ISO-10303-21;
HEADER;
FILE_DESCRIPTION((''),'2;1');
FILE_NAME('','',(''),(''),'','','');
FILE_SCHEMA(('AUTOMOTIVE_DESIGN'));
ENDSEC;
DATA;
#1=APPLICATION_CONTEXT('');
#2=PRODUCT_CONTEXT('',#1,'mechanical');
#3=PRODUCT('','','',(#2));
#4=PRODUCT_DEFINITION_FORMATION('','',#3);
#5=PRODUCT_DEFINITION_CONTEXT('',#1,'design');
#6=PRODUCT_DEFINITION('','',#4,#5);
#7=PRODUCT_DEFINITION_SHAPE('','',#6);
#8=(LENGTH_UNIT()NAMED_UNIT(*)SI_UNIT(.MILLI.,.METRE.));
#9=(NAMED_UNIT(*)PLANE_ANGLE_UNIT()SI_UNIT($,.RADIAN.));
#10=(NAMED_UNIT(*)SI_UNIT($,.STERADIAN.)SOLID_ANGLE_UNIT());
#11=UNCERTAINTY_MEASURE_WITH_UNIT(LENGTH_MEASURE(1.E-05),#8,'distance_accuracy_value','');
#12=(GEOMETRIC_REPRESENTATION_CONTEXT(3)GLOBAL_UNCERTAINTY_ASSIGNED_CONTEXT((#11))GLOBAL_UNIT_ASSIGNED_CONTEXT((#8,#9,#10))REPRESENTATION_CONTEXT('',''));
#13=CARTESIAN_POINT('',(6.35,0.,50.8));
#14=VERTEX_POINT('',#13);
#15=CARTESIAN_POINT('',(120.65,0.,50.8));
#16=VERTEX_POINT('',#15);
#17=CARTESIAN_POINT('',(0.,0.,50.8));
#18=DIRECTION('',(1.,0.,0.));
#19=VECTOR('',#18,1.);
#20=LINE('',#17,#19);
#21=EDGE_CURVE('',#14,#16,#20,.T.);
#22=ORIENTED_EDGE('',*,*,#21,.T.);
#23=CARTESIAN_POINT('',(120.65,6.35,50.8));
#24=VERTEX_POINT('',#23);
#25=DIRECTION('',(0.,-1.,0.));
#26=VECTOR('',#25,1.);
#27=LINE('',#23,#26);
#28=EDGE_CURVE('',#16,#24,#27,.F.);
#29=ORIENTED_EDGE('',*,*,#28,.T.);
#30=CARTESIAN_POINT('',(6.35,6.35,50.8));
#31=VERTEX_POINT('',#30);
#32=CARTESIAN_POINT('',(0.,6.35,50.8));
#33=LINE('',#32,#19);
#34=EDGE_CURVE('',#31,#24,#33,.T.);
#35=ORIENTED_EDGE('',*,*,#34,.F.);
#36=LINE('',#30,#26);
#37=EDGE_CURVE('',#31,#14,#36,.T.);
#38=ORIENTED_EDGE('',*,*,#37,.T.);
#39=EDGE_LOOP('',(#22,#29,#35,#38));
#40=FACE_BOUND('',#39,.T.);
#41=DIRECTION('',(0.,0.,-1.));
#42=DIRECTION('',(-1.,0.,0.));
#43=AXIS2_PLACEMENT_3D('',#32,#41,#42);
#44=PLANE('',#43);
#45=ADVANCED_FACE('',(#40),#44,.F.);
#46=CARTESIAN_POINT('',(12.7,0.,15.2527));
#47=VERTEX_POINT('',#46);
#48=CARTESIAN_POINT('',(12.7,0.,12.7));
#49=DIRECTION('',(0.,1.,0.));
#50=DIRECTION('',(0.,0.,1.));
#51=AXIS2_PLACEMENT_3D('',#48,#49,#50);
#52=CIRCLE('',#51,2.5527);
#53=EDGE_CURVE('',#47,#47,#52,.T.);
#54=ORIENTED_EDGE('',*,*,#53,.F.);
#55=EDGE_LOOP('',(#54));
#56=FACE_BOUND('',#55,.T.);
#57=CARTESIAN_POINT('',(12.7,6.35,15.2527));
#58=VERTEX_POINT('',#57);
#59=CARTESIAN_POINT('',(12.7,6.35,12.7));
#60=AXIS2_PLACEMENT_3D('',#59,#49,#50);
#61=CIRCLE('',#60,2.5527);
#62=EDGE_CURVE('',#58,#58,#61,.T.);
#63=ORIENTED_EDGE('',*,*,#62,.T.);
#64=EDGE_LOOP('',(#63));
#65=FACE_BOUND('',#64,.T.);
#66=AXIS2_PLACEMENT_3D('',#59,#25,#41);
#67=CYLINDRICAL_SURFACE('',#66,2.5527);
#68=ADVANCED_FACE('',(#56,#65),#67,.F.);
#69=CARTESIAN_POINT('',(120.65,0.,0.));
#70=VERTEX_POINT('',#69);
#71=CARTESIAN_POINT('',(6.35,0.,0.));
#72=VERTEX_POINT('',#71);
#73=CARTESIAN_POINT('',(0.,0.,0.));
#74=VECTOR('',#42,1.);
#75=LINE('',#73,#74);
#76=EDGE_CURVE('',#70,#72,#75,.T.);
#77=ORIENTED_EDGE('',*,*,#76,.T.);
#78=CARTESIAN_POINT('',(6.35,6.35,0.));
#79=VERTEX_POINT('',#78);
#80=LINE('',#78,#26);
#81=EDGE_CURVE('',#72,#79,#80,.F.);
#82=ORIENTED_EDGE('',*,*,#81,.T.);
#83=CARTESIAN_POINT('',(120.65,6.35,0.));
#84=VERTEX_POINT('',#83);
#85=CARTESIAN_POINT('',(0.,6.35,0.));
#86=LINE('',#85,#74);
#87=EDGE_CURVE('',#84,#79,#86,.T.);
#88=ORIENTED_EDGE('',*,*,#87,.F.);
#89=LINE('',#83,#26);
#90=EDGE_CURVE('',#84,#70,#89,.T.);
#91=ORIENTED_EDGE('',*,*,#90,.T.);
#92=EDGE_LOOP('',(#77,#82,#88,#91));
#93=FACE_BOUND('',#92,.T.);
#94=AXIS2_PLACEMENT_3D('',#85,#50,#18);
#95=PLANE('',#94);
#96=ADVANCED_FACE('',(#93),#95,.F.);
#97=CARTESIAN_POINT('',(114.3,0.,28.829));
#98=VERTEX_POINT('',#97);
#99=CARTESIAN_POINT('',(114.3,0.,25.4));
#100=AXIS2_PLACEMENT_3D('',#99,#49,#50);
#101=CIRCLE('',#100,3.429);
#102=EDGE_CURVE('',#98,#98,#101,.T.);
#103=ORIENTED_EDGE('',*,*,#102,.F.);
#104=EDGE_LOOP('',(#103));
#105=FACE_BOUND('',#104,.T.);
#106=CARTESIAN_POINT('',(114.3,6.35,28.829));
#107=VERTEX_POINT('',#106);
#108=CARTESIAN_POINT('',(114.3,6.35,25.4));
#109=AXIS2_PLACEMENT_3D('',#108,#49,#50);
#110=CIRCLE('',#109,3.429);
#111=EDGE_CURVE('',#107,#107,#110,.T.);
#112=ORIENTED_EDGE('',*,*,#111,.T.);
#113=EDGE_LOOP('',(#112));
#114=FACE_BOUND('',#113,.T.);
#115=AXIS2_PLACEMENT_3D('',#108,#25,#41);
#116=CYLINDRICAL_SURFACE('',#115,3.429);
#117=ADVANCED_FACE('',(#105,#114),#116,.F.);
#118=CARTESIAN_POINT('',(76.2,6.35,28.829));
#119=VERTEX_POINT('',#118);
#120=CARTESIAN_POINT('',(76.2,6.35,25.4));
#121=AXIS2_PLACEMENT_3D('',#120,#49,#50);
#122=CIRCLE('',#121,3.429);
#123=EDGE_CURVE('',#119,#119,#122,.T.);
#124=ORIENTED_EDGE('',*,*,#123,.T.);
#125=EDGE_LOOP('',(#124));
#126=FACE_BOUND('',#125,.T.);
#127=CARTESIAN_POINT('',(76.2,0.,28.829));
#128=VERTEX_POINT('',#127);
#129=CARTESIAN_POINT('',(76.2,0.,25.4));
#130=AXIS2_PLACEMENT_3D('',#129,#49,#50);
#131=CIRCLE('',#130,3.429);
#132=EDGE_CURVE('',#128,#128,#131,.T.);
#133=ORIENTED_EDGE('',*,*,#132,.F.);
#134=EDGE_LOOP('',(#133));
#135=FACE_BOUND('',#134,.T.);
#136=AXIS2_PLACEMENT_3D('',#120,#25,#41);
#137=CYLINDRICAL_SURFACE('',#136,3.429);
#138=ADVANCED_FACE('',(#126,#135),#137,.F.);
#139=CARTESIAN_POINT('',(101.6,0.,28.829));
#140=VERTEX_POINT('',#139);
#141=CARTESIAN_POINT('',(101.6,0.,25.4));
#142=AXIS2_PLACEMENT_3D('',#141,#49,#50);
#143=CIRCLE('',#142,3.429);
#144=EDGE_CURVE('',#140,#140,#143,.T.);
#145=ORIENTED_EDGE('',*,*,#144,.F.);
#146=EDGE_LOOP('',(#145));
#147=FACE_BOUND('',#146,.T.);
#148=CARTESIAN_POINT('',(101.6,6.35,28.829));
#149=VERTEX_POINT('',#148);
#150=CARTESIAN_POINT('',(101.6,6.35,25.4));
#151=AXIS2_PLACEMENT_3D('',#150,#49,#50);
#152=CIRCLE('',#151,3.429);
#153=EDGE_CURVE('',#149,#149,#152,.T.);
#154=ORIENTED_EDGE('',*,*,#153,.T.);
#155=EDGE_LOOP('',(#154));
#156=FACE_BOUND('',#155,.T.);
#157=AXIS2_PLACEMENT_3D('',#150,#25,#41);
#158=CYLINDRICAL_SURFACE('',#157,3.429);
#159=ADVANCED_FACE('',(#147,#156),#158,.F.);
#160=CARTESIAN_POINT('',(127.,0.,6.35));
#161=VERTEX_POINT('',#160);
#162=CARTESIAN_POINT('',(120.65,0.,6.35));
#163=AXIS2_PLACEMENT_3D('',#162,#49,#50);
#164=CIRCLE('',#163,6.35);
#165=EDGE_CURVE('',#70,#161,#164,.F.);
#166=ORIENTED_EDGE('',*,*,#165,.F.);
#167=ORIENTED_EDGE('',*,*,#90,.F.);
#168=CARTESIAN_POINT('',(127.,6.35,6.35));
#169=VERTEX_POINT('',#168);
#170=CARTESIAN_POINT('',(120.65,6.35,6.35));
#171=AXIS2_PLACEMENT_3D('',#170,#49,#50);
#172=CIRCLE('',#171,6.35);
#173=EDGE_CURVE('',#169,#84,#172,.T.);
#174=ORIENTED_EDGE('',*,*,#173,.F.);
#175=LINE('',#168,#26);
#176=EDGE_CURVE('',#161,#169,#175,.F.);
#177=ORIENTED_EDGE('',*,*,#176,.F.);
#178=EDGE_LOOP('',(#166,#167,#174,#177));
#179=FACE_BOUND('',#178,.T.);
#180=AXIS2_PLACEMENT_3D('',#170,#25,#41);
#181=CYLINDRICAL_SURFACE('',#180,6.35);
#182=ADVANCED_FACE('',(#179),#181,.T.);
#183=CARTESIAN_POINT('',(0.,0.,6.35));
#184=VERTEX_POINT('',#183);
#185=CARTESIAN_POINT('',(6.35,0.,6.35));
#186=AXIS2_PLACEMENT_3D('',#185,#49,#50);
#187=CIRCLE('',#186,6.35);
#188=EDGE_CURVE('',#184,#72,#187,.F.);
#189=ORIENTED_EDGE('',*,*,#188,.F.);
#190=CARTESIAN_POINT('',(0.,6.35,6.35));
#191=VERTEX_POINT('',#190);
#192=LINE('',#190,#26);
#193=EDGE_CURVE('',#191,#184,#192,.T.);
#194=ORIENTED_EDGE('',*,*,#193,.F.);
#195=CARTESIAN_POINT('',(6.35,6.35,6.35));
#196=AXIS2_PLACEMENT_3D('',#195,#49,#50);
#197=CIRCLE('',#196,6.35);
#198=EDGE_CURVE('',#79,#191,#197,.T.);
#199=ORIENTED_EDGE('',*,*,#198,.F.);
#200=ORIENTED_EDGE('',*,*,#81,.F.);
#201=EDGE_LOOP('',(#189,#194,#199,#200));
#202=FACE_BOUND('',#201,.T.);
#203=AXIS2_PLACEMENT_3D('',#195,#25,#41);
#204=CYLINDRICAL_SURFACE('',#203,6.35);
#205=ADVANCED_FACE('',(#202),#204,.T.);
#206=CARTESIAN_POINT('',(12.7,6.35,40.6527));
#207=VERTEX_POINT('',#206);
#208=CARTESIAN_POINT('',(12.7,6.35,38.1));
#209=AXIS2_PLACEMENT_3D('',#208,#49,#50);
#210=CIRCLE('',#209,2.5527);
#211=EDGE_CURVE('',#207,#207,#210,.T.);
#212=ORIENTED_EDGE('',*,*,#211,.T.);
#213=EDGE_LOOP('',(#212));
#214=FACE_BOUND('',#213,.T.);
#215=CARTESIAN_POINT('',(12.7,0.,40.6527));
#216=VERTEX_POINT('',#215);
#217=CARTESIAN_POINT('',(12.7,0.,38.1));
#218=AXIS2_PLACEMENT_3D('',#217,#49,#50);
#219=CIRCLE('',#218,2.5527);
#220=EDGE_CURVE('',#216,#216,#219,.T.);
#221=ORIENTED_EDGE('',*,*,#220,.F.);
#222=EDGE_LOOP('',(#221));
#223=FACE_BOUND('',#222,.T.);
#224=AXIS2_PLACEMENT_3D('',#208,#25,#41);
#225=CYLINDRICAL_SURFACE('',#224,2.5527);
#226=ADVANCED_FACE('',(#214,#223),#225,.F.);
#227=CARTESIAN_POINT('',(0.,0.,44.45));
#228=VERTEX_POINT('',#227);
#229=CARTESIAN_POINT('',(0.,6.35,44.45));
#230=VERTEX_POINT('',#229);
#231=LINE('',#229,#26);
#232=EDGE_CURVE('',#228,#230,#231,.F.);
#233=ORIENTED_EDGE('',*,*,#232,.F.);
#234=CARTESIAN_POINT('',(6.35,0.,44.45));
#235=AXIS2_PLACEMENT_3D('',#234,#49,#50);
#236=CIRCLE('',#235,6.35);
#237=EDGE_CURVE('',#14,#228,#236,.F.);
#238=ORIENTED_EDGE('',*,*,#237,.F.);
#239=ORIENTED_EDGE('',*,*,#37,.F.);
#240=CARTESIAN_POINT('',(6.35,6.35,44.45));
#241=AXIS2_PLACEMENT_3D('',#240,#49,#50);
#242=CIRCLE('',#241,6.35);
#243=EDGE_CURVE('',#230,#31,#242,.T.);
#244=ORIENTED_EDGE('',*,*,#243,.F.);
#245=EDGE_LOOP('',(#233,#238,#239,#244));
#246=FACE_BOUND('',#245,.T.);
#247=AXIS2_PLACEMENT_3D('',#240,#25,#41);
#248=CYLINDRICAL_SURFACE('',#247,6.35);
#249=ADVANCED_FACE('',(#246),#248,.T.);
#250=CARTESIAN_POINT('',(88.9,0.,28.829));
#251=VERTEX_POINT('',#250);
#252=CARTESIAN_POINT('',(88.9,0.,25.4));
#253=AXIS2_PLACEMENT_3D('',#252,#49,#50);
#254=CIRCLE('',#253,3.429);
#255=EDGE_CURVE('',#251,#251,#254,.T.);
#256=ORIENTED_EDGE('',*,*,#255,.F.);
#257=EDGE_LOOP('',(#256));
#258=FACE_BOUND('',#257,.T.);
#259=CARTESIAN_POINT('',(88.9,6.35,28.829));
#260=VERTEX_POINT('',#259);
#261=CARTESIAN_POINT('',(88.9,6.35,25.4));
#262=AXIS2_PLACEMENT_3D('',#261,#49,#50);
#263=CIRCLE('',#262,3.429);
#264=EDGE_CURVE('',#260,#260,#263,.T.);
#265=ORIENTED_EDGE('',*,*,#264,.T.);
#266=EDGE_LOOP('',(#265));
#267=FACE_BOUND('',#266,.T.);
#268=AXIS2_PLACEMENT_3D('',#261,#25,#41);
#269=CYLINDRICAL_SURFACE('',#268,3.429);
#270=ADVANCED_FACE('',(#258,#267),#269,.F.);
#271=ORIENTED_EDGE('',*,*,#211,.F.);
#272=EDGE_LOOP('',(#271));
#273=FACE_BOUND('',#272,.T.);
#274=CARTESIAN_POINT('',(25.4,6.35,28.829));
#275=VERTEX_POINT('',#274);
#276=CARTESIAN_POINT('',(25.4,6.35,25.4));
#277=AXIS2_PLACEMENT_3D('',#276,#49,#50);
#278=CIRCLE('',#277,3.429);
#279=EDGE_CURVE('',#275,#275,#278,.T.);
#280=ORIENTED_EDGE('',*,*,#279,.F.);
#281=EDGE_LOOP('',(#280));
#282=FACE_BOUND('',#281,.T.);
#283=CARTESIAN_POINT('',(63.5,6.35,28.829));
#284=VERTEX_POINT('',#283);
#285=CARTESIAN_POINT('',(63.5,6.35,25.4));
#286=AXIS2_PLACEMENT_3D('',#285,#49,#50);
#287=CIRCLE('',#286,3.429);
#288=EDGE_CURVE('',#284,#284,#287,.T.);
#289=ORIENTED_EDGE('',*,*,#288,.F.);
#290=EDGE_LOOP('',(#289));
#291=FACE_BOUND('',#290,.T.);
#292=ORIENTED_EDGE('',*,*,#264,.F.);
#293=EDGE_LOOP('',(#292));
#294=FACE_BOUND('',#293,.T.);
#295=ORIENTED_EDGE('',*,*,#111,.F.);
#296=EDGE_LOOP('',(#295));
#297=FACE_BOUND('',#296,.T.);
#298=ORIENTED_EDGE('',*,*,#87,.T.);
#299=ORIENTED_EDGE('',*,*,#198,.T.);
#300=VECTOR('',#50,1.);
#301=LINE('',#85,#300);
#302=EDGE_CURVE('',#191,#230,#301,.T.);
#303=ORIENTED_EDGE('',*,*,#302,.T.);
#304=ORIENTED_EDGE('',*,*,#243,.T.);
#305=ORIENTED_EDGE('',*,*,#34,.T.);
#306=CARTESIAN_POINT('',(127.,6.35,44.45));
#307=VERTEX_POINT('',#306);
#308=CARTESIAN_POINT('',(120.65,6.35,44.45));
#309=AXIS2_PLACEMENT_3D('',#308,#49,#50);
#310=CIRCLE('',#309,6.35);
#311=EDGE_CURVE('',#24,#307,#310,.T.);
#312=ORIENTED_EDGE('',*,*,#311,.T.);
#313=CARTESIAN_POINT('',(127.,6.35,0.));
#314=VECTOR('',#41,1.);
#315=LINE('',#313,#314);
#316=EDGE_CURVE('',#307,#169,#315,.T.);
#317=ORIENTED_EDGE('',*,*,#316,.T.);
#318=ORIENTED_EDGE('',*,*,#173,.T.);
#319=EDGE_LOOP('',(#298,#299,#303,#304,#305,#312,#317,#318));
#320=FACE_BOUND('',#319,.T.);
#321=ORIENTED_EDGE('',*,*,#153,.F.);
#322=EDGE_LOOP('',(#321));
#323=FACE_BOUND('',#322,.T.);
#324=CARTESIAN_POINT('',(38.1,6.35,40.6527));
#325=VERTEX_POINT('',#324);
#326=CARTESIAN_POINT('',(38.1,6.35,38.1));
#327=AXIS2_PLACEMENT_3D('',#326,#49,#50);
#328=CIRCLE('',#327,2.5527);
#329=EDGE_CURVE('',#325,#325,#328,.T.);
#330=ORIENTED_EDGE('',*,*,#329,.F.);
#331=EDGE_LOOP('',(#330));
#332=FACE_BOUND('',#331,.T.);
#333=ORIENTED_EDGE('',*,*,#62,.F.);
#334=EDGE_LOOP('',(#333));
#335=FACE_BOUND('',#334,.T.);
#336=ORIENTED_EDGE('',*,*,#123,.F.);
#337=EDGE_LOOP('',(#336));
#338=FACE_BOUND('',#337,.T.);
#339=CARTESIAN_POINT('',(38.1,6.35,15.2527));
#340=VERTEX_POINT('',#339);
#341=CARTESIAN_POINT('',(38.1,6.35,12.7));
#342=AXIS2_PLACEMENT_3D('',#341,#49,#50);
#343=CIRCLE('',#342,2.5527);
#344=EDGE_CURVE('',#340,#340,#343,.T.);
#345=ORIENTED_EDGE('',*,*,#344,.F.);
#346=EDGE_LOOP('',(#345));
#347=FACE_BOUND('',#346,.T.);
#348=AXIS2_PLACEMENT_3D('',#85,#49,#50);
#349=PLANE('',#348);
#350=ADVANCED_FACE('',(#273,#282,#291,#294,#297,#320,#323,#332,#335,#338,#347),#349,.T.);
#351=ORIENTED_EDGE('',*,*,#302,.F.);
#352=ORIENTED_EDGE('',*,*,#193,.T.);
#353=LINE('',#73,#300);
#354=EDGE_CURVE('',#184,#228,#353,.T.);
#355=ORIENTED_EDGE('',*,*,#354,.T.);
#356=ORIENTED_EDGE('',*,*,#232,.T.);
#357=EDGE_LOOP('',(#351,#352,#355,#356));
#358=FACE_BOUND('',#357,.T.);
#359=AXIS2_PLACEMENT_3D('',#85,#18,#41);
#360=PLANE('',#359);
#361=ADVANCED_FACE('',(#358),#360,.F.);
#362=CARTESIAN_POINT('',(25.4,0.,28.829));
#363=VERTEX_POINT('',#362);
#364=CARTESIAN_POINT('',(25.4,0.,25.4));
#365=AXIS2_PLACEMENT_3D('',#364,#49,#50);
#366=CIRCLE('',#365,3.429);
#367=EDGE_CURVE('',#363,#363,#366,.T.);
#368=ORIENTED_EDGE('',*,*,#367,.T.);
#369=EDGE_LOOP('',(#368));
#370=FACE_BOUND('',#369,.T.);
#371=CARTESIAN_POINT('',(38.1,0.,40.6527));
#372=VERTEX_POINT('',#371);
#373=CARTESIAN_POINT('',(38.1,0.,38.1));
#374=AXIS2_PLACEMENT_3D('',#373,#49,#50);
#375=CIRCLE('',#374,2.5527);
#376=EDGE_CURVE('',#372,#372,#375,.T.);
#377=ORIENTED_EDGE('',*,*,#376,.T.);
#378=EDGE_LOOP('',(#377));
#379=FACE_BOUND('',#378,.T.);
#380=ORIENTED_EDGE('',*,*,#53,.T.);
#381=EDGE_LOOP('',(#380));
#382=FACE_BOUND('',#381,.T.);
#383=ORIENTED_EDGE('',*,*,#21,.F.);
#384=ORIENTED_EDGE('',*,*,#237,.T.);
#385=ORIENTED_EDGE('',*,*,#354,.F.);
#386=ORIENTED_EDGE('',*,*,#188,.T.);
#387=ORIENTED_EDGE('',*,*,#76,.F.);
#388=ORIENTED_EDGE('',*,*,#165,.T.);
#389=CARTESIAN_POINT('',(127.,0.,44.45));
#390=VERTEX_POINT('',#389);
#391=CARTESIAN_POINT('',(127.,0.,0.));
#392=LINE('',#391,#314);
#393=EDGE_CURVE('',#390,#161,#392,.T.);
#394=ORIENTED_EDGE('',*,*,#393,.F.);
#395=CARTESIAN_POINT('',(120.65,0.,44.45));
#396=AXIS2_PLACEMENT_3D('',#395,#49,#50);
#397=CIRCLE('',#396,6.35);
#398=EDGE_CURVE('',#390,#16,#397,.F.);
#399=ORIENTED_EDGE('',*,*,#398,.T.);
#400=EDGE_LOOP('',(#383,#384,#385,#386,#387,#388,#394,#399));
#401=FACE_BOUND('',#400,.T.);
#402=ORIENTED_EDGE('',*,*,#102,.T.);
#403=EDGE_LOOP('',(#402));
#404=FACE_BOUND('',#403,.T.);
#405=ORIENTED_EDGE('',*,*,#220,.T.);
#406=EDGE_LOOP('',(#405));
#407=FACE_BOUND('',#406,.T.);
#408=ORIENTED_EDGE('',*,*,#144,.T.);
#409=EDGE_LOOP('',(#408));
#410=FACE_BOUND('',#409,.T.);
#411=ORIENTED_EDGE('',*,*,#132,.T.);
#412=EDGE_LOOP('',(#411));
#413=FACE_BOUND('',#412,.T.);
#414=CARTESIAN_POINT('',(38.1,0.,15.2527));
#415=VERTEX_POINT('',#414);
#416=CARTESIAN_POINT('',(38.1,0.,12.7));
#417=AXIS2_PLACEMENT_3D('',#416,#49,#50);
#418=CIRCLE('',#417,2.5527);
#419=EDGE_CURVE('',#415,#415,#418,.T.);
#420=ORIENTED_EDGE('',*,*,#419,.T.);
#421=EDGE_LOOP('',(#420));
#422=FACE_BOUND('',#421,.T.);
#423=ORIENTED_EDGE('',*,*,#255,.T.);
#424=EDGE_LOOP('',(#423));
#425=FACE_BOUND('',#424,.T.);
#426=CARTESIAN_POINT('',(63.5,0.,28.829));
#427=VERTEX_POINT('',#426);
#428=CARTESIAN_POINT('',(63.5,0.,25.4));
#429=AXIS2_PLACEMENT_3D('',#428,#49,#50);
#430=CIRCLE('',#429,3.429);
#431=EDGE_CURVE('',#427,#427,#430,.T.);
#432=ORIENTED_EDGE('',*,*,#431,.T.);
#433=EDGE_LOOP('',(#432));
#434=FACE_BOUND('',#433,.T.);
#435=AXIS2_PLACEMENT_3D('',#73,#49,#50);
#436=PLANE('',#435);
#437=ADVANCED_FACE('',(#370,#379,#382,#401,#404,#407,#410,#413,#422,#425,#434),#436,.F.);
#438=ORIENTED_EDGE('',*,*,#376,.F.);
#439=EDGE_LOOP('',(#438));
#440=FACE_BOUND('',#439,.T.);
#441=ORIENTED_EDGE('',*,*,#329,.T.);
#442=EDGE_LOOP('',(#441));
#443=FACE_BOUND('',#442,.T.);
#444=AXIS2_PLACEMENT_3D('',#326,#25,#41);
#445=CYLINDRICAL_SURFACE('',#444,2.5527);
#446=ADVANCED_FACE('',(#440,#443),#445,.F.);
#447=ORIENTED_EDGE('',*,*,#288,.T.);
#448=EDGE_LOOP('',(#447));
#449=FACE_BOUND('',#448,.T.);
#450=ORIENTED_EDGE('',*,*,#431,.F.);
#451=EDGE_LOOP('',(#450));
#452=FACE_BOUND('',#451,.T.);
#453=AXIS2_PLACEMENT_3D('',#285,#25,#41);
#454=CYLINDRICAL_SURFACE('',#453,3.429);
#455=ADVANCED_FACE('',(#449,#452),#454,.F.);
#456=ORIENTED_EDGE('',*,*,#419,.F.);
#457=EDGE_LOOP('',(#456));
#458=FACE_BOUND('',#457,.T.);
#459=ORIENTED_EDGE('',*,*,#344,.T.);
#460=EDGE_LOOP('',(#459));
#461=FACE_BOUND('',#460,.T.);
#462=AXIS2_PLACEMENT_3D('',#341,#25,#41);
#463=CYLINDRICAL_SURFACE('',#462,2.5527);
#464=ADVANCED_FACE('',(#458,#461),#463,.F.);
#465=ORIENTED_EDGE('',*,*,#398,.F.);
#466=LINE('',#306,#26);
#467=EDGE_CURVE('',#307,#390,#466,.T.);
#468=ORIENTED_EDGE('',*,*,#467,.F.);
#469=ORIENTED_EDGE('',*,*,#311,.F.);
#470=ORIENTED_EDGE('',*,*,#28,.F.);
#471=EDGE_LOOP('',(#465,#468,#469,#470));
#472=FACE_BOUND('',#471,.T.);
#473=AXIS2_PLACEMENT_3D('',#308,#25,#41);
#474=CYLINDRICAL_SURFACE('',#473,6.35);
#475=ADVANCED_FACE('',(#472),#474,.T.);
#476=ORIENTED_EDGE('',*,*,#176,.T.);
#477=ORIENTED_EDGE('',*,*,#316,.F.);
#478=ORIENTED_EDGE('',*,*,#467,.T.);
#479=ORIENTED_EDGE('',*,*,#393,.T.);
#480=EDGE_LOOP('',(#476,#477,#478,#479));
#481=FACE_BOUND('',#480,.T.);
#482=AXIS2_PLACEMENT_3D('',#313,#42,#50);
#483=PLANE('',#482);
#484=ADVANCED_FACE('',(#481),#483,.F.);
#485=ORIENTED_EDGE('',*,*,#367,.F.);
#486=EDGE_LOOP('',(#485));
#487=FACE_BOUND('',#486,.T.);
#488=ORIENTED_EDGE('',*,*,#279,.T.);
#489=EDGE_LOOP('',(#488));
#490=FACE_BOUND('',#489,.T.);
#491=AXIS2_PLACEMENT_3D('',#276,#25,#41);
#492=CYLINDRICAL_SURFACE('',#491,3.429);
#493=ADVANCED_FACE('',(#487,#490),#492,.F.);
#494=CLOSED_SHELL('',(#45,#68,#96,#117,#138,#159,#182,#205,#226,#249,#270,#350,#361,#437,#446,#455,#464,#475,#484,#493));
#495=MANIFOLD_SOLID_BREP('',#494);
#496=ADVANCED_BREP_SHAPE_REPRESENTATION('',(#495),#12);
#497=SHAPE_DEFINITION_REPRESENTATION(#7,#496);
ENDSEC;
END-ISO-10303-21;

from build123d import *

# Parameters (mm, degrees)
SKETCH1_W           = 127
SKETCH1_H           = 50.8
SKETCH1_R           = 2.5527
SKETCH1_R_2         = 3.429
BOSS_EXTRUDE1_DEPTH = 6.35
FILLET1_R           = 6.35


with BuildPart() as part:
    # Sketch1 → Boss-Extrude1 (new body)
    with BuildSketch(Plane(origin=(0, 0, 0), x_dir=(1, 0, 0), z_dir=(0, 1, 0))):
        with Locations((63.5, -25.4)):
            Rectangle(SKETCH1_W, SKETCH1_H)
        with Locations(Location((12.7, -12.7, 0), (0, 0, 270))):
            Circle(SKETCH1_R, mode=Mode.SUBTRACT)
        with Locations(Location((38.1, -12.7, 0), (0, 0, 270))):
            Circle(SKETCH1_R, mode=Mode.SUBTRACT)
        with Locations(Location((38.1, -38.1, 0), (0, 0, 270))):
            Circle(SKETCH1_R, mode=Mode.SUBTRACT)
        with Locations(Location((12.7, -38.1, 0), (0, 0, 270))):
            Circle(SKETCH1_R, mode=Mode.SUBTRACT)
        with Locations(Location((25.4, -25.4, 0), (0, 0, 270))):
            Circle(SKETCH1_R_2, mode=Mode.SUBTRACT)
        with Locations(Location((63.5, -25.4, 0), (0, 0, 270))):
            Circle(SKETCH1_R_2, mode=Mode.SUBTRACT)
        with Locations(Location((76.2, -25.4, 0), (0, 0, 270))):
            Circle(SKETCH1_R_2, mode=Mode.SUBTRACT)
        with Locations(Location((88.9, -25.4, 0), (0, 0, 270))):
            Circle(SKETCH1_R_2, mode=Mode.SUBTRACT)
        with Locations(Location((101.6, -25.4, 0), (0, 0, 270))):
            Circle(SKETCH1_R_2, mode=Mode.SUBTRACT)
        with Locations(Location((114.3, -25.4, 0), (0, 0, 270))):
            Circle(SKETCH1_R_2, mode=Mode.SUBTRACT)
    extrude(amount=BOSS_EXTRUDE1_DEPTH)

    # Fillet1
    fillet1_edges = [part.edges().sort_by_distance(p)[0] for p in [
        (0, 3.175, 0),
        (127, 3.175, 0),
        (127, 3.175, 50.8),
        (0, 3.175, 50.8),
    ]]
    fillet(fillet1_edges, radius=FILLET1_R)


solid = part.part
